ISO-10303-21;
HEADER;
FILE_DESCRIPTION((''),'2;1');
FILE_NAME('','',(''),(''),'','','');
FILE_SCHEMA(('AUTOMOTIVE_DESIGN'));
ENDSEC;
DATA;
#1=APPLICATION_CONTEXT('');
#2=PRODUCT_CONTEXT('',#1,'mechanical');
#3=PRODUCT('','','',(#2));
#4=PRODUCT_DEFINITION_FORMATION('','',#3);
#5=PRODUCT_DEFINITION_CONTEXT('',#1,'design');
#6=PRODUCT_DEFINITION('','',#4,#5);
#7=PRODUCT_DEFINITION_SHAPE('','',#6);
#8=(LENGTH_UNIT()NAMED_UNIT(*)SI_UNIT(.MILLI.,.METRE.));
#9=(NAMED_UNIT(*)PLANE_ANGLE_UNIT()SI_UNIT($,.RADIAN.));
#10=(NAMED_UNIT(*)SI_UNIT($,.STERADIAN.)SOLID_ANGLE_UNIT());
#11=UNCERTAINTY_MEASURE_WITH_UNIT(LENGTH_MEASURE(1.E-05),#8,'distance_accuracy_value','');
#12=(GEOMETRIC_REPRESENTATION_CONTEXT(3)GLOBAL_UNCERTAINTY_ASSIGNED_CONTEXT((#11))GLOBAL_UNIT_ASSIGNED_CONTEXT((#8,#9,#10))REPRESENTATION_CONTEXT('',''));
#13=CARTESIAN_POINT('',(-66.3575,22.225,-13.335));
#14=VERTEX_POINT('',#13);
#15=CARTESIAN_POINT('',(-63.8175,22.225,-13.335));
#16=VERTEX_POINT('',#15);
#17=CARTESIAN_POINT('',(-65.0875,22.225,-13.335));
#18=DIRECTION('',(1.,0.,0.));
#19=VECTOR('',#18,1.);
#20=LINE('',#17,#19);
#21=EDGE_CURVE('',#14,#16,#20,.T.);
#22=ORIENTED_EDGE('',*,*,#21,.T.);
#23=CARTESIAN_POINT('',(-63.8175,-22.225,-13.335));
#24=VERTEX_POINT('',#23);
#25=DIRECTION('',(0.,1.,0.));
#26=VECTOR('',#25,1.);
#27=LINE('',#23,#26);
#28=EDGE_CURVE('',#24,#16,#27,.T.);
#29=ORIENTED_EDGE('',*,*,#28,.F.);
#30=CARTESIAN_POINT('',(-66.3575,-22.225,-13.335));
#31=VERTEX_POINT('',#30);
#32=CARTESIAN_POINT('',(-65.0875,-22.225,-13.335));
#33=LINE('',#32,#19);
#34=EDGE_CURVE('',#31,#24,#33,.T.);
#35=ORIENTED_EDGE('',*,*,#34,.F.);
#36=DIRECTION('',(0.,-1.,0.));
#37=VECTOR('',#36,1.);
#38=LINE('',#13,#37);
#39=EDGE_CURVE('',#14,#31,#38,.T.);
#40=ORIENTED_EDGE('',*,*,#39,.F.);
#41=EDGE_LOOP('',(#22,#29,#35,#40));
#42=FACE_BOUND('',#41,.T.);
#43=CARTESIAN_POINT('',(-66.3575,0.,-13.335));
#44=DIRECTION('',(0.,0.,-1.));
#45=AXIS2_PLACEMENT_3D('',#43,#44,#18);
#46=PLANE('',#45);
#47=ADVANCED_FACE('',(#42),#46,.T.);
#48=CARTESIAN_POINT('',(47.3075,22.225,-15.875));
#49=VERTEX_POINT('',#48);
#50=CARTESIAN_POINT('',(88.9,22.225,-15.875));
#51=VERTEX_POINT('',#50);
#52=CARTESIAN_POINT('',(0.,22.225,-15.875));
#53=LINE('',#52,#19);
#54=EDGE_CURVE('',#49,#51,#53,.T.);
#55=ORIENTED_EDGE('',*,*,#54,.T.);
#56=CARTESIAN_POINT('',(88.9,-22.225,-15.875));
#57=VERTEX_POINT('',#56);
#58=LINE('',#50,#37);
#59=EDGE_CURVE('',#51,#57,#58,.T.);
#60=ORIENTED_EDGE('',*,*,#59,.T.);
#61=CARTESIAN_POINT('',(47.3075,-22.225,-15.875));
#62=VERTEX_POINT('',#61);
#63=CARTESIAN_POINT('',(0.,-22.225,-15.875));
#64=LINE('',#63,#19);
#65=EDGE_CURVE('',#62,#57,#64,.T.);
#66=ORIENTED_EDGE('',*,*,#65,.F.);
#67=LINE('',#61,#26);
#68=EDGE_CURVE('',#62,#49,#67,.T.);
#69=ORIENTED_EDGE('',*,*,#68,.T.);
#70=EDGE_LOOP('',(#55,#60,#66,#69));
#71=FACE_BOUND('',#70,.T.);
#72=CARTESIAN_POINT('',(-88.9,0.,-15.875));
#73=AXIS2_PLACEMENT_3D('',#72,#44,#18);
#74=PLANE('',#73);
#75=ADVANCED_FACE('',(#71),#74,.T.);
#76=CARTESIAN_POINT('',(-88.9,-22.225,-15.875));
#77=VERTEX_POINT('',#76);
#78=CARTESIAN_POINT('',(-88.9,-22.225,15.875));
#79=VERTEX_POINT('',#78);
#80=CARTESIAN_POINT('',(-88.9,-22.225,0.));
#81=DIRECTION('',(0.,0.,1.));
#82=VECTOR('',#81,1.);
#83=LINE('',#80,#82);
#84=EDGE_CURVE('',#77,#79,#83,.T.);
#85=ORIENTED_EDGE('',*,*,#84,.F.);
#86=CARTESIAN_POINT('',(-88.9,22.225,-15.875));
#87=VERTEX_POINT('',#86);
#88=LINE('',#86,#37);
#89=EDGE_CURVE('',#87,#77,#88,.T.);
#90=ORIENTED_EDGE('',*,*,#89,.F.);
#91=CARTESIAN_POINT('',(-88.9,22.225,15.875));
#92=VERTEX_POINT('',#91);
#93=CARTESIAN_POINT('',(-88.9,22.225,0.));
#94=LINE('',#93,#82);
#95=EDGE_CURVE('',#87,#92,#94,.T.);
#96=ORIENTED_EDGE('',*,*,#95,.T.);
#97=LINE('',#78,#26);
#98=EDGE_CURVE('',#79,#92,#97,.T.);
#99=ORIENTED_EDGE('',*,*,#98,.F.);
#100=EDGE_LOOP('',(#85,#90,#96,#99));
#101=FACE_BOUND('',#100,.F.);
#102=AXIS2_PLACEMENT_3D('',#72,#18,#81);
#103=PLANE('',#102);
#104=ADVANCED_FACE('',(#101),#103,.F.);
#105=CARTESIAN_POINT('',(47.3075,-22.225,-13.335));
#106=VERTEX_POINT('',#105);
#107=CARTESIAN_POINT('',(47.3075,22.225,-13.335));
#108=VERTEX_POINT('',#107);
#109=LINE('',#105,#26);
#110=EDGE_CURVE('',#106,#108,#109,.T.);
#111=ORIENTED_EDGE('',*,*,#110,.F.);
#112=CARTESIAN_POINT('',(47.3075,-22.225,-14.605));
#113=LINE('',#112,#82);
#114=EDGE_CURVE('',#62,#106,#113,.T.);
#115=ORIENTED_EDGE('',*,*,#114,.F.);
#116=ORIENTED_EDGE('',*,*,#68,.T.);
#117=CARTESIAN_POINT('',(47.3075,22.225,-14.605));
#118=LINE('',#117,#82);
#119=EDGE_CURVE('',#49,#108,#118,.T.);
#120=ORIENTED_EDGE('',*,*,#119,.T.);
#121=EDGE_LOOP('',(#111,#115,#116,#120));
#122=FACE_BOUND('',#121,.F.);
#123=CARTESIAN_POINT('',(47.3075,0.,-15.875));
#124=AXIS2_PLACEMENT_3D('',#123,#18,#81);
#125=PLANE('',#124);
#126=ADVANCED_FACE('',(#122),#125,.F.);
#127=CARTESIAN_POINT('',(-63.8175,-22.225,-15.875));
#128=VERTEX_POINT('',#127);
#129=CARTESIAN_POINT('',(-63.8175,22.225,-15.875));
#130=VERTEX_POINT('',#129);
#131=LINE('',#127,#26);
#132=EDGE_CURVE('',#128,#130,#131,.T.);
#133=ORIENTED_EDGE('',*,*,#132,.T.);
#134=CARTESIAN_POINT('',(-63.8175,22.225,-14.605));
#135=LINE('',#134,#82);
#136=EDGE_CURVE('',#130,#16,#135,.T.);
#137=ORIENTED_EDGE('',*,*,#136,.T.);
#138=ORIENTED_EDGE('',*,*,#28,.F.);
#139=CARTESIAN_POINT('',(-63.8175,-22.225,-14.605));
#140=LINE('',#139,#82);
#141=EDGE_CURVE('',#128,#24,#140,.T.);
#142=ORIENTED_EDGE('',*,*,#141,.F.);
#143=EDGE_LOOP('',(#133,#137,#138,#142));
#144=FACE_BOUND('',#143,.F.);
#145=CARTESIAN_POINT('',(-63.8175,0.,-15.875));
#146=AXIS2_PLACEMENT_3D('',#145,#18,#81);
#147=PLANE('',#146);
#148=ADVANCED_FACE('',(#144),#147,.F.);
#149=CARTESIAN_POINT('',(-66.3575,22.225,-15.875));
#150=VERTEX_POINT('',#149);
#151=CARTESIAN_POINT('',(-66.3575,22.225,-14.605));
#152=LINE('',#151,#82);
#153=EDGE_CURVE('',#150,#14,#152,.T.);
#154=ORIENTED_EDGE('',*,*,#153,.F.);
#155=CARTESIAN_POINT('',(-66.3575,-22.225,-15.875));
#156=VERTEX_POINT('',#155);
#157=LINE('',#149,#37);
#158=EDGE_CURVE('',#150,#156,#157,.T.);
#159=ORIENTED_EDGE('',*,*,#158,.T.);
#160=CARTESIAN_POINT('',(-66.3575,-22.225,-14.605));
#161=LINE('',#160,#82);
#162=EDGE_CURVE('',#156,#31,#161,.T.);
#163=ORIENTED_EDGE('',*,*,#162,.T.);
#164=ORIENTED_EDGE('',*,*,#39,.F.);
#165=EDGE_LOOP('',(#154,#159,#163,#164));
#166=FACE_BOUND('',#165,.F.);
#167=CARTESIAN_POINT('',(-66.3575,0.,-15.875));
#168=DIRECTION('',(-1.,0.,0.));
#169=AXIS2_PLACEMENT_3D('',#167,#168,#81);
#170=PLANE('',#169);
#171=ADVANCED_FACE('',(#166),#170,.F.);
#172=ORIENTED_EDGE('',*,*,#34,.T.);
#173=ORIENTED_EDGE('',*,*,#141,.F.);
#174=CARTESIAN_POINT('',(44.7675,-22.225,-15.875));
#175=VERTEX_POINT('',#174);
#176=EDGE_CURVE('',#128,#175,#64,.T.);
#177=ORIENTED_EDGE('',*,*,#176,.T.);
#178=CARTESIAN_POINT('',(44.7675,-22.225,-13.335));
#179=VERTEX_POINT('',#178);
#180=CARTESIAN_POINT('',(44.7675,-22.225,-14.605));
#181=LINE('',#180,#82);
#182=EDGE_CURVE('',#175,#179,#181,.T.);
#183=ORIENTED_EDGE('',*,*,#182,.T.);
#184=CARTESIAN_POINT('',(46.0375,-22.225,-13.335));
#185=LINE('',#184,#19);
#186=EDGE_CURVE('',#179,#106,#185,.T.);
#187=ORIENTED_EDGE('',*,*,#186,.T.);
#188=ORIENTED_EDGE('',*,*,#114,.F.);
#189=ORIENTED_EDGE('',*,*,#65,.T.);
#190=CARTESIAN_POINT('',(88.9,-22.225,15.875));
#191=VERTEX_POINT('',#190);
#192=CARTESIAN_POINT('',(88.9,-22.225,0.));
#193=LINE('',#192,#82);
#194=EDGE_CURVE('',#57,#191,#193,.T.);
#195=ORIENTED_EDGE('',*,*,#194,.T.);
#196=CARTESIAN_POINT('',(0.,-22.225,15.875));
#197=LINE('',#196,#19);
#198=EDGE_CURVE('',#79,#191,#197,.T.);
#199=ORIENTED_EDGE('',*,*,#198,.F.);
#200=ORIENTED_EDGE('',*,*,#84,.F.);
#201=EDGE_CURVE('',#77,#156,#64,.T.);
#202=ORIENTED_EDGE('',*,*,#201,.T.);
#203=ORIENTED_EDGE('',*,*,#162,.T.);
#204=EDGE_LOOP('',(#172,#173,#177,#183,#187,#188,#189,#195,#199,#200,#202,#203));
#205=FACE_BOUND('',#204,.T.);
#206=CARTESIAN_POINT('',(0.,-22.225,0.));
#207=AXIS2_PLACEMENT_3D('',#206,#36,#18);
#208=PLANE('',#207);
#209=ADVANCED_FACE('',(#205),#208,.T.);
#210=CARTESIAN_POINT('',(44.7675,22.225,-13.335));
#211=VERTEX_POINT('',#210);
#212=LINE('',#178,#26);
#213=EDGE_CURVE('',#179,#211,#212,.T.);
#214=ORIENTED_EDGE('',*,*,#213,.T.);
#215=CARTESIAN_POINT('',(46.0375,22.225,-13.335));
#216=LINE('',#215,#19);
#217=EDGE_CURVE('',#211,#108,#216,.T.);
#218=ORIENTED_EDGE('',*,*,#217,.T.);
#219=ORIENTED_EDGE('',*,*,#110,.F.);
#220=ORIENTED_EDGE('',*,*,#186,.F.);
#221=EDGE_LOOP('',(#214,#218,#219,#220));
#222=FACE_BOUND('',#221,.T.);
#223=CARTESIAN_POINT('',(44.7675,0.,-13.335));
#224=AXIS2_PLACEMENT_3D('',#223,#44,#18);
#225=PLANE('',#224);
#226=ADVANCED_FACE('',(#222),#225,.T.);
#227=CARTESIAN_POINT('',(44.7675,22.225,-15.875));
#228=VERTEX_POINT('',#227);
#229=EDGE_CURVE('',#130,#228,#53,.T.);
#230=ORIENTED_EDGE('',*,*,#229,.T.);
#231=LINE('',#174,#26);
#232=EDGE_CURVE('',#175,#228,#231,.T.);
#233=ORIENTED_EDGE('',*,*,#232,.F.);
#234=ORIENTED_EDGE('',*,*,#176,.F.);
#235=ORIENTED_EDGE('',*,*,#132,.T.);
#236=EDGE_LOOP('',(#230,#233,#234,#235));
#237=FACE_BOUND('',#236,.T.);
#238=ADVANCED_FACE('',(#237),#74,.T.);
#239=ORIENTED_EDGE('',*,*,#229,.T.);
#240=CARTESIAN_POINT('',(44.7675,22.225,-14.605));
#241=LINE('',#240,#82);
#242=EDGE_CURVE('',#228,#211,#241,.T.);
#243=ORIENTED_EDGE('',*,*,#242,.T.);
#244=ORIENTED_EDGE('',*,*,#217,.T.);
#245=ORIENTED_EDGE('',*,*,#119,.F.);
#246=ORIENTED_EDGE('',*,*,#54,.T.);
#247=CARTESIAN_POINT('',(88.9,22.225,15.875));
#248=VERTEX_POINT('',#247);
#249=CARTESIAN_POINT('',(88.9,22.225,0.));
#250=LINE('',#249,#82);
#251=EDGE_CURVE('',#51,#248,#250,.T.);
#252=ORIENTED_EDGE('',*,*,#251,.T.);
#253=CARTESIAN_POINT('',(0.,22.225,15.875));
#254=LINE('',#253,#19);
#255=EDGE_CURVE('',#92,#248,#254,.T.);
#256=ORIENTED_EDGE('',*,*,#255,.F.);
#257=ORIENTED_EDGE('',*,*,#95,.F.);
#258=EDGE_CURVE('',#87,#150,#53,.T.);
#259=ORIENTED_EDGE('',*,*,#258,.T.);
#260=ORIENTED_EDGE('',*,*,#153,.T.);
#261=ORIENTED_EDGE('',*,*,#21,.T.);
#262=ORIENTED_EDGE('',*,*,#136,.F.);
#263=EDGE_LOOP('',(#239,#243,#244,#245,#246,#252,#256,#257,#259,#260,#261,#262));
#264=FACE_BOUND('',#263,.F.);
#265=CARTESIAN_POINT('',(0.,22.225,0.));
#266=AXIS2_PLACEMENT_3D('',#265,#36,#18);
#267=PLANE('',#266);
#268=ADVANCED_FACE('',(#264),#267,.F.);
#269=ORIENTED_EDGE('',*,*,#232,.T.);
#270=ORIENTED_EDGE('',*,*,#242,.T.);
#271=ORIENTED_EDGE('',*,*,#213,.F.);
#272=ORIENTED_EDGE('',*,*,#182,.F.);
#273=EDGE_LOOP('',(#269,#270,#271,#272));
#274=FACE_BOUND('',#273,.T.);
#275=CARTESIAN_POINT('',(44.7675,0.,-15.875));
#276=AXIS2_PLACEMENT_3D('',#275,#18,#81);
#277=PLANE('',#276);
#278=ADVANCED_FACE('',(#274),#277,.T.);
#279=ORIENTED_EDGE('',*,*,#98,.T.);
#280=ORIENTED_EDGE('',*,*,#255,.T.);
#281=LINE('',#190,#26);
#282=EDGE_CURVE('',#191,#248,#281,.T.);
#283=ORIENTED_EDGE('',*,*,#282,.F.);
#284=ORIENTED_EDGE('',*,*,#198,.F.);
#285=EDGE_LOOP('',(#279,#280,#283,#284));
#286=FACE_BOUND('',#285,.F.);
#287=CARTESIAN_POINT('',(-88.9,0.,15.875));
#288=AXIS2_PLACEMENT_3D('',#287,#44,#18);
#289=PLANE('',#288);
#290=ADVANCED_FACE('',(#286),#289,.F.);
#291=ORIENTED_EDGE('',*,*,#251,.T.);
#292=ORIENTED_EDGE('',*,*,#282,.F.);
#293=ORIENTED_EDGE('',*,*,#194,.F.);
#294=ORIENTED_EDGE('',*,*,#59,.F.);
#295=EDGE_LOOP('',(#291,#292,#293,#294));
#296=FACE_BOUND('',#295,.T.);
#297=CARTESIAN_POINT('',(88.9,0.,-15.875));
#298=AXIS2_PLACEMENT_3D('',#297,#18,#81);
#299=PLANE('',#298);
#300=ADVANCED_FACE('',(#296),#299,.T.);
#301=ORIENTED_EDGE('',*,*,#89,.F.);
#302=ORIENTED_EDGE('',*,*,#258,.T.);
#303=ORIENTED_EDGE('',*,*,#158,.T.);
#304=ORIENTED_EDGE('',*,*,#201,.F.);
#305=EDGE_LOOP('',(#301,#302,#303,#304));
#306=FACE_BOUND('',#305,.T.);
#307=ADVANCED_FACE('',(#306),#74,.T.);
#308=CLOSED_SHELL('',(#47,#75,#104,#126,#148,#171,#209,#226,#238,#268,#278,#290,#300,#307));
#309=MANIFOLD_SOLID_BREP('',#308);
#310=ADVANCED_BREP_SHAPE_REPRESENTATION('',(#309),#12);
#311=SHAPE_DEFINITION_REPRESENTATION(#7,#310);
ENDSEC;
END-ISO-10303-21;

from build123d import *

# Parameters (mm, degrees)
F0_W          = 177.8
F0_H          = 31.75
F3_DEPTH      = 22.225
F1_W          = 2.54
F1_H          = 2.54
F2_DEPTH      = 22.225
F2_DEPTH_BACK = 22.225


with BuildPart() as f3:
    # F0 (on Front) → F3 (new body, symmetric)
    with BuildSketch(Plane.XZ):
        Rectangle(F0_W, F0_H)
    extrude(amount=F3_DEPTH, both=True)

    # F1 (on Front) → F2 (cut, two sides)
    with BuildSketch(Plane.XZ) as f2_sk:
        with Locations((-65.0875, -14.605)):
            Rectangle(F1_W, F1_H)
        with Locations((46.0375, -14.605)):
            Rectangle(F1_W, F1_H)
    extrude(amount=F2_DEPTH, mode=Mode.SUBTRACT)
    extrude(f2_sk.sketch, amount=-F2_DEPTH_BACK, mode=Mode.SUBTRACT)


solid = f3.part
